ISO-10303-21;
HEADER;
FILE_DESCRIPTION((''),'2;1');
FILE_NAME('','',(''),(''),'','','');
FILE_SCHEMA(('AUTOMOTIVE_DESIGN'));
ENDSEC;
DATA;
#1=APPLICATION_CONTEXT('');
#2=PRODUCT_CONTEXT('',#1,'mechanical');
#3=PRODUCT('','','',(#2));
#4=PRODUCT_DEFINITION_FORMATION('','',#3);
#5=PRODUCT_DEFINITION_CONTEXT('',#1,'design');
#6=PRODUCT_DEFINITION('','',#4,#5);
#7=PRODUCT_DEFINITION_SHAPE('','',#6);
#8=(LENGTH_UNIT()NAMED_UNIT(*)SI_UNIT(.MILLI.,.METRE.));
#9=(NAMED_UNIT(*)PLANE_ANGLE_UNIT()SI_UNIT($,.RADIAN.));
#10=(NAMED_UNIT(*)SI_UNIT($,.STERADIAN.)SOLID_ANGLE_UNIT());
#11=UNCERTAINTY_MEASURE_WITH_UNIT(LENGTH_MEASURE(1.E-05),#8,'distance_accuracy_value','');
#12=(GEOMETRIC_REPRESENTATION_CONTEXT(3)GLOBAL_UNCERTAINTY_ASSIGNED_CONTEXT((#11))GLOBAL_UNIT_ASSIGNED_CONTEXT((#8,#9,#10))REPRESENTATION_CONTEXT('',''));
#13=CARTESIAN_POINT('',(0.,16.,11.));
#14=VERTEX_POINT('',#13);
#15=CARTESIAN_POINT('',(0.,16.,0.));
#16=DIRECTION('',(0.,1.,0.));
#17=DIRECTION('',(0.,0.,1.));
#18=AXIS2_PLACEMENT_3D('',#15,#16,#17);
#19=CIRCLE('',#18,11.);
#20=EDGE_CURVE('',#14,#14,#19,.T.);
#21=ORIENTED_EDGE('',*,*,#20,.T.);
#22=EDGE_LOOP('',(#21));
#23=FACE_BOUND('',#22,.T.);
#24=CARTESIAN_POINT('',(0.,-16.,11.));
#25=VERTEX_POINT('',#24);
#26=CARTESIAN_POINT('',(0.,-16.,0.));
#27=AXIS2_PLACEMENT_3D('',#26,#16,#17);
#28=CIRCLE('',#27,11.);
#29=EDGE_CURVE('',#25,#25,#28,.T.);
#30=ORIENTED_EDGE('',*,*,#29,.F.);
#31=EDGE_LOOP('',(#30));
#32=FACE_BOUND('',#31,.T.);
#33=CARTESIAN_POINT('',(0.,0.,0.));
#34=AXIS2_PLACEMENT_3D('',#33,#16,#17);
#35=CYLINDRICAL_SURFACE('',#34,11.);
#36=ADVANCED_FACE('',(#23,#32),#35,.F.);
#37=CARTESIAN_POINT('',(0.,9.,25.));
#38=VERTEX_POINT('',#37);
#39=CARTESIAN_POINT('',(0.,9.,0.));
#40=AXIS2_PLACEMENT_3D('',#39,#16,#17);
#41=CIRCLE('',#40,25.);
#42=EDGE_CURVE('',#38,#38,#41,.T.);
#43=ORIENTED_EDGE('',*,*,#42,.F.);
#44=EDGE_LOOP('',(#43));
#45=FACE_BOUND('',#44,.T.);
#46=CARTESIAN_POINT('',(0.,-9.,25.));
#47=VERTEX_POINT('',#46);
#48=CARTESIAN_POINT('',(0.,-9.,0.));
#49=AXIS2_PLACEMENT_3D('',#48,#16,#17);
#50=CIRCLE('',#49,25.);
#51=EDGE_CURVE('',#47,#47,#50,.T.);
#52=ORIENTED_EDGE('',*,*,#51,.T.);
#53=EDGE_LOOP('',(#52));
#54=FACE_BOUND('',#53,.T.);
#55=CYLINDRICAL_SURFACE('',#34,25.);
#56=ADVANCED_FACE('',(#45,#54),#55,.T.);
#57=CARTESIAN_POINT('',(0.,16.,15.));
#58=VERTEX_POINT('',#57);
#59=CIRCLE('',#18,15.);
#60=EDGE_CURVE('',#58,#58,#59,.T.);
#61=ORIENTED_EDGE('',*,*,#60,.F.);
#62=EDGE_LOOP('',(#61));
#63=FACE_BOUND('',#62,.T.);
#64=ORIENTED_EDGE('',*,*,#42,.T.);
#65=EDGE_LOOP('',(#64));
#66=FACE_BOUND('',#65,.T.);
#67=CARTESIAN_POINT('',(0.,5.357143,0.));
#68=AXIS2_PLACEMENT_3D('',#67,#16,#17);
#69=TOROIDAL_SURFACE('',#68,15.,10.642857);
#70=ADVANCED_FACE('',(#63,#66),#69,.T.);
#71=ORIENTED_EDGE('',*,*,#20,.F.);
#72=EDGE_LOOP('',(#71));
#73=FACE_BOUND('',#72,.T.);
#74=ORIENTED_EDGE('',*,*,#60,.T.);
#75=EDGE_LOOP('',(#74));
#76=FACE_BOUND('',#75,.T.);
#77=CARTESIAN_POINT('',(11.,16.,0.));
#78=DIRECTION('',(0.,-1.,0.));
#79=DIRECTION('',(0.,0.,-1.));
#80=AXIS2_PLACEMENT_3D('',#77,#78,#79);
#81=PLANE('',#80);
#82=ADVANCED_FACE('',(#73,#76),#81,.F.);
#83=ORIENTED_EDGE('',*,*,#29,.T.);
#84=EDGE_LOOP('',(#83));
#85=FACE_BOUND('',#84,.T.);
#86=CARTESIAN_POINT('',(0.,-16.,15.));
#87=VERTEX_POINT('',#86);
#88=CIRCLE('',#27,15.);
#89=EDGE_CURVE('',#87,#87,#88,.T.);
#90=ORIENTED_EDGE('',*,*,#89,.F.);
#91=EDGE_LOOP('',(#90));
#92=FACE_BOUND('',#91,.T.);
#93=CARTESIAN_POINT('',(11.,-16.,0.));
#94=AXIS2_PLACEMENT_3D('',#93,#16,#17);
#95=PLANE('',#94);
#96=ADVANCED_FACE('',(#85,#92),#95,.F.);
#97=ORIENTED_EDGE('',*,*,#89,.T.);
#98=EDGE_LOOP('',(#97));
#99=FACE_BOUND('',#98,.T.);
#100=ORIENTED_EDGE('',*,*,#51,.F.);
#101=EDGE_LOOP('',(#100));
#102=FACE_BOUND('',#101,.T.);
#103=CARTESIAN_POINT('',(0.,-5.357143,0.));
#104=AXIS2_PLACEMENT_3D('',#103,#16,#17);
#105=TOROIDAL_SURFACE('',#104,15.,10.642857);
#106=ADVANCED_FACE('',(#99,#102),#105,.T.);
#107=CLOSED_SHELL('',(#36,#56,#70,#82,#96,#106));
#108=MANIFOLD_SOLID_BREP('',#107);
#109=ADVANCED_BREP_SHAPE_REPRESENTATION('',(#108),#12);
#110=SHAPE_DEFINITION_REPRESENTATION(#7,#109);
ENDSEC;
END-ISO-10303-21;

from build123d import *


with BuildPart() as part:
    # Sketch1 → Revolve1 (revolve)
    with BuildSketch(Plane.XY):
        with BuildLine():
            Line((11, 16), (11, -16))
            Line((11, -16), (15, -16))
            ThreePointArc((15, -16), (21.103277808, -14.076111154), (25, -9))
            Line((25, -9), (25, 9))
            ThreePointArc((25, 9), (21.103277808, 14.076111154), (15, 16))
            Line((15, 16), (11, 16))
        make_face()
    revolve(axis=Axis((0, 0, 0), (0, -1, 0)))


solid = part.part
